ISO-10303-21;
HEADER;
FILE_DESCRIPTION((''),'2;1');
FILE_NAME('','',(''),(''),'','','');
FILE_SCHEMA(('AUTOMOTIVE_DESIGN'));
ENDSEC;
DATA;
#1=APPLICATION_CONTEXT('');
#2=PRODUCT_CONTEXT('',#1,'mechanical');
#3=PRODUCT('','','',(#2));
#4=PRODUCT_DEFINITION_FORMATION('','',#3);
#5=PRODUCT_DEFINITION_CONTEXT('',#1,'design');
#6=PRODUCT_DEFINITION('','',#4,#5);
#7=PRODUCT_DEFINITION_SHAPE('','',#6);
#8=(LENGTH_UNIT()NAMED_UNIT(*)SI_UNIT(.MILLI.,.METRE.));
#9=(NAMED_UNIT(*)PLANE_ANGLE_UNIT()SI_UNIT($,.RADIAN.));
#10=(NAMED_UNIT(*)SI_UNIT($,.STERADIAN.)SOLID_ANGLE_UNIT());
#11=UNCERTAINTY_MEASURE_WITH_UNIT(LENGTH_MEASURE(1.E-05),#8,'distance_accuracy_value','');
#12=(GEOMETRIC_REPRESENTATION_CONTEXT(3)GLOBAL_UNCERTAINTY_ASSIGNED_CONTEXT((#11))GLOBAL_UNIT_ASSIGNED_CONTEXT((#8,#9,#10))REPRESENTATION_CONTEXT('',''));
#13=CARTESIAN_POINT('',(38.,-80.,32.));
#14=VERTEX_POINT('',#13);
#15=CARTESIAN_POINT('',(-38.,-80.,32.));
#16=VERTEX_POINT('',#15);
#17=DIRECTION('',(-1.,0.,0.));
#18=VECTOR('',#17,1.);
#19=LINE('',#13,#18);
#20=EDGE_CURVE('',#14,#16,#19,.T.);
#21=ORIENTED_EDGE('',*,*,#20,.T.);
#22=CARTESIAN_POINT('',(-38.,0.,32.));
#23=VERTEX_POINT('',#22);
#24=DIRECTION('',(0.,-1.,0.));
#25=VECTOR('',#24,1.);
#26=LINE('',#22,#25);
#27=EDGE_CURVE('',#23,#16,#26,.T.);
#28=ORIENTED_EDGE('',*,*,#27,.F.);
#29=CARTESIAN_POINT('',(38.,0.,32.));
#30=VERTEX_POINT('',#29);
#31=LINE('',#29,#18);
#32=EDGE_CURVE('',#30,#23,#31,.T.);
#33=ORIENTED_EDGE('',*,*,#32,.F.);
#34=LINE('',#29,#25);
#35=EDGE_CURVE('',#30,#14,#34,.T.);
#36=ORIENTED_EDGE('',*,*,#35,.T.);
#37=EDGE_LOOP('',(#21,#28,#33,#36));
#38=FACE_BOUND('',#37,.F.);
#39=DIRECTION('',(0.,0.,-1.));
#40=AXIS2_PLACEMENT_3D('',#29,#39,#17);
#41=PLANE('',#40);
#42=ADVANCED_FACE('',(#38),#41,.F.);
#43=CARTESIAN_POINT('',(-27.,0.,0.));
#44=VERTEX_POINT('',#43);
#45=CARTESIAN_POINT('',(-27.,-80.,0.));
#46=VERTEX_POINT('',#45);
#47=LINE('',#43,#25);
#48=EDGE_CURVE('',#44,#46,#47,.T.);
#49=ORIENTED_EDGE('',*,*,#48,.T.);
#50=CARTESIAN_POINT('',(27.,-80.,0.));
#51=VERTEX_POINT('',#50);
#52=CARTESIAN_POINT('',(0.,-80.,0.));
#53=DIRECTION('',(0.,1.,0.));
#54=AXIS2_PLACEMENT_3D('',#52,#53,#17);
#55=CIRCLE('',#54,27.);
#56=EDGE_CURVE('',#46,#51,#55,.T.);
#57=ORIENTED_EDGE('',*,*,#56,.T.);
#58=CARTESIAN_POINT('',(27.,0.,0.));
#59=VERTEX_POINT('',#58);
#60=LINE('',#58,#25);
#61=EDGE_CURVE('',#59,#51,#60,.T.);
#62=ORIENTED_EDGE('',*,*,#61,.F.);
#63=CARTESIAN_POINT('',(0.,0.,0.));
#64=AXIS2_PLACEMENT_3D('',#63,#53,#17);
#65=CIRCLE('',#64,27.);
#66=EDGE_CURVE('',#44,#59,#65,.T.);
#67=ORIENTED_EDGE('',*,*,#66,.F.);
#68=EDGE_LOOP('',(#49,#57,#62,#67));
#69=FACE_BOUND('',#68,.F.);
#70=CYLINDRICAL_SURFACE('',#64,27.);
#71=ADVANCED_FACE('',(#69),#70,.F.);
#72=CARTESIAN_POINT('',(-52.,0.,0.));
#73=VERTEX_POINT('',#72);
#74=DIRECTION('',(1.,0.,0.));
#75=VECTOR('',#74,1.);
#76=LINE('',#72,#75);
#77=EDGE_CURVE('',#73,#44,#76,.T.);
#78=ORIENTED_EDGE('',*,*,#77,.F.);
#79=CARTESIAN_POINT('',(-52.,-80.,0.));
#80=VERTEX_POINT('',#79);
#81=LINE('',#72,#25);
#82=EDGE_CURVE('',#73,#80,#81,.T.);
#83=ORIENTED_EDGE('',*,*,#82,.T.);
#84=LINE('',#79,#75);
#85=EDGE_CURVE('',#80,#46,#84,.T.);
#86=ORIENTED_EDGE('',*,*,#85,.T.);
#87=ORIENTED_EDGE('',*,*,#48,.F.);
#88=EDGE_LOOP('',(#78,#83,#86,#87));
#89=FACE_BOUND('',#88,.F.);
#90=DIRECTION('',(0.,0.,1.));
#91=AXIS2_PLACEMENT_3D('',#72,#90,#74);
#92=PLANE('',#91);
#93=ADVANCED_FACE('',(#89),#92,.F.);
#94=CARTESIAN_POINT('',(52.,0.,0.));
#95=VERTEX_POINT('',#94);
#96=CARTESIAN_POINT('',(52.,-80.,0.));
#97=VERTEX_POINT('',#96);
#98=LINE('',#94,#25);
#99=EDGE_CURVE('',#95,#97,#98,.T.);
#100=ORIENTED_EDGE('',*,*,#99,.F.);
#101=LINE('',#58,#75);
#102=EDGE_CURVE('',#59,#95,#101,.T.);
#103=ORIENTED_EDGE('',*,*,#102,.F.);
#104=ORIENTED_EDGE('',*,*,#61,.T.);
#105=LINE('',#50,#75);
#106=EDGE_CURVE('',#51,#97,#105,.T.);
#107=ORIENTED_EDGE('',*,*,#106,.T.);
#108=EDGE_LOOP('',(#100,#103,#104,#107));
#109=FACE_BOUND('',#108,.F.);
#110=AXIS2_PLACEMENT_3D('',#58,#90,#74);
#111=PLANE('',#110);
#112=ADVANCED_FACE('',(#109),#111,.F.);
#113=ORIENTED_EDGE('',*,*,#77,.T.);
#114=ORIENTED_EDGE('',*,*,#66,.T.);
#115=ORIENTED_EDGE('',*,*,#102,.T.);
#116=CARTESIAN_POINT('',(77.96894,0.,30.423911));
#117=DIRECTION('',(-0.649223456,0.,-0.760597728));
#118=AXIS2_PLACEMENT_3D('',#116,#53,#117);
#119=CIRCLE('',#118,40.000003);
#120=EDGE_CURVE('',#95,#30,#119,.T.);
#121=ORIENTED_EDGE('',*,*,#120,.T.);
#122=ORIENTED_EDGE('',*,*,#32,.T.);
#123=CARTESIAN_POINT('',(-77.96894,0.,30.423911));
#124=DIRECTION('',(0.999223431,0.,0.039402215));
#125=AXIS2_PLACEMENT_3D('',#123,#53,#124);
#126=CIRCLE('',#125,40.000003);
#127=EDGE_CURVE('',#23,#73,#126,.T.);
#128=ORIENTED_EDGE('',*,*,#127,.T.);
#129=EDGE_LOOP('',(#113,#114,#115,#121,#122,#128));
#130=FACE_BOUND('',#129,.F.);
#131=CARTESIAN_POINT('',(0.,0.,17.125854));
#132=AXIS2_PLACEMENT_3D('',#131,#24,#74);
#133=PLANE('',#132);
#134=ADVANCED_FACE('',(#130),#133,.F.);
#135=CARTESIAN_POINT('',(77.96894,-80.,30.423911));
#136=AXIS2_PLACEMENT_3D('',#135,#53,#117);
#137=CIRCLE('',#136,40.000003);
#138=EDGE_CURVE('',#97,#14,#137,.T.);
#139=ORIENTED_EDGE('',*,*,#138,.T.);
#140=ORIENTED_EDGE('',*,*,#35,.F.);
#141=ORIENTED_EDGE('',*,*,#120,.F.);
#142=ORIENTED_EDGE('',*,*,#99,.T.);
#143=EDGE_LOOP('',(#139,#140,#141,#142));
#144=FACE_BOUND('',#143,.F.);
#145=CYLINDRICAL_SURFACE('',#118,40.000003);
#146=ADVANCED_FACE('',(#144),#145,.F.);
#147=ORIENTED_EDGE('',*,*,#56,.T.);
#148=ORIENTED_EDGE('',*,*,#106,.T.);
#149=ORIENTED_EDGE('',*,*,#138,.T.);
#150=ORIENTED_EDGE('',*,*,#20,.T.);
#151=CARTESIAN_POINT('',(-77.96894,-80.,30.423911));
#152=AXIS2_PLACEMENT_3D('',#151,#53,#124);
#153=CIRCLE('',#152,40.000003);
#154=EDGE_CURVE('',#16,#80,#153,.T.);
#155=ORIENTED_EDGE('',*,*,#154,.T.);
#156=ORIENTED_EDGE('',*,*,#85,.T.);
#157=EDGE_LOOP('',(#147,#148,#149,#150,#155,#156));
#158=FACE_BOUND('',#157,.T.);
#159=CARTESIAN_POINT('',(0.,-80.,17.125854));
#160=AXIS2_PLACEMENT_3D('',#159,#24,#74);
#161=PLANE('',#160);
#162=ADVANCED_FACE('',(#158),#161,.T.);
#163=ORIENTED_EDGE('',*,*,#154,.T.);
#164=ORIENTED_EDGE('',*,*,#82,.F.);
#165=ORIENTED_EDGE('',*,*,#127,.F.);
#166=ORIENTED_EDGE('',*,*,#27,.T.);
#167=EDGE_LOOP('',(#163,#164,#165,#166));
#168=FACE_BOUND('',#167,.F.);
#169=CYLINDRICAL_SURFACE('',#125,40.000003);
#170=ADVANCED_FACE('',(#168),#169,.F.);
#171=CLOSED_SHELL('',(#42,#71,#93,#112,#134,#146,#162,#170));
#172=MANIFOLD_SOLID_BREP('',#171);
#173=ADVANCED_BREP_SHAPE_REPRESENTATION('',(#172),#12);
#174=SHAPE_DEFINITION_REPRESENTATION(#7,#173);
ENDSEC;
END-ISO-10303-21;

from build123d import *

# Parameters (mm, degrees)
F1_DEPTH = 80


with BuildPart() as f1:
    # F0 (on Front) → F1 (new body)
    with BuildSketch(Plane.XZ):
        with BuildLine():
            ThreePointArc((-27, 0), (0, 27), (27, 0))
            Line((27, 0), (32, 0))
            Line((32, 0), (52, 0))
            ThreePointArc((52, 0), (41.322644, 14.391157), (38, 32))
            Line((38, 32), (0, 32))
            Line((0, 32), (-38, 32))
            ThreePointArc((-38, 32), (-41.322644, 14.391157), (-52, 0))
            Line((-52, 0), (-32, 0))
            Line((-32, 0), (-27, 0))
        make_face()
    extrude(amount=F1_DEPTH)


solid = f1.part
